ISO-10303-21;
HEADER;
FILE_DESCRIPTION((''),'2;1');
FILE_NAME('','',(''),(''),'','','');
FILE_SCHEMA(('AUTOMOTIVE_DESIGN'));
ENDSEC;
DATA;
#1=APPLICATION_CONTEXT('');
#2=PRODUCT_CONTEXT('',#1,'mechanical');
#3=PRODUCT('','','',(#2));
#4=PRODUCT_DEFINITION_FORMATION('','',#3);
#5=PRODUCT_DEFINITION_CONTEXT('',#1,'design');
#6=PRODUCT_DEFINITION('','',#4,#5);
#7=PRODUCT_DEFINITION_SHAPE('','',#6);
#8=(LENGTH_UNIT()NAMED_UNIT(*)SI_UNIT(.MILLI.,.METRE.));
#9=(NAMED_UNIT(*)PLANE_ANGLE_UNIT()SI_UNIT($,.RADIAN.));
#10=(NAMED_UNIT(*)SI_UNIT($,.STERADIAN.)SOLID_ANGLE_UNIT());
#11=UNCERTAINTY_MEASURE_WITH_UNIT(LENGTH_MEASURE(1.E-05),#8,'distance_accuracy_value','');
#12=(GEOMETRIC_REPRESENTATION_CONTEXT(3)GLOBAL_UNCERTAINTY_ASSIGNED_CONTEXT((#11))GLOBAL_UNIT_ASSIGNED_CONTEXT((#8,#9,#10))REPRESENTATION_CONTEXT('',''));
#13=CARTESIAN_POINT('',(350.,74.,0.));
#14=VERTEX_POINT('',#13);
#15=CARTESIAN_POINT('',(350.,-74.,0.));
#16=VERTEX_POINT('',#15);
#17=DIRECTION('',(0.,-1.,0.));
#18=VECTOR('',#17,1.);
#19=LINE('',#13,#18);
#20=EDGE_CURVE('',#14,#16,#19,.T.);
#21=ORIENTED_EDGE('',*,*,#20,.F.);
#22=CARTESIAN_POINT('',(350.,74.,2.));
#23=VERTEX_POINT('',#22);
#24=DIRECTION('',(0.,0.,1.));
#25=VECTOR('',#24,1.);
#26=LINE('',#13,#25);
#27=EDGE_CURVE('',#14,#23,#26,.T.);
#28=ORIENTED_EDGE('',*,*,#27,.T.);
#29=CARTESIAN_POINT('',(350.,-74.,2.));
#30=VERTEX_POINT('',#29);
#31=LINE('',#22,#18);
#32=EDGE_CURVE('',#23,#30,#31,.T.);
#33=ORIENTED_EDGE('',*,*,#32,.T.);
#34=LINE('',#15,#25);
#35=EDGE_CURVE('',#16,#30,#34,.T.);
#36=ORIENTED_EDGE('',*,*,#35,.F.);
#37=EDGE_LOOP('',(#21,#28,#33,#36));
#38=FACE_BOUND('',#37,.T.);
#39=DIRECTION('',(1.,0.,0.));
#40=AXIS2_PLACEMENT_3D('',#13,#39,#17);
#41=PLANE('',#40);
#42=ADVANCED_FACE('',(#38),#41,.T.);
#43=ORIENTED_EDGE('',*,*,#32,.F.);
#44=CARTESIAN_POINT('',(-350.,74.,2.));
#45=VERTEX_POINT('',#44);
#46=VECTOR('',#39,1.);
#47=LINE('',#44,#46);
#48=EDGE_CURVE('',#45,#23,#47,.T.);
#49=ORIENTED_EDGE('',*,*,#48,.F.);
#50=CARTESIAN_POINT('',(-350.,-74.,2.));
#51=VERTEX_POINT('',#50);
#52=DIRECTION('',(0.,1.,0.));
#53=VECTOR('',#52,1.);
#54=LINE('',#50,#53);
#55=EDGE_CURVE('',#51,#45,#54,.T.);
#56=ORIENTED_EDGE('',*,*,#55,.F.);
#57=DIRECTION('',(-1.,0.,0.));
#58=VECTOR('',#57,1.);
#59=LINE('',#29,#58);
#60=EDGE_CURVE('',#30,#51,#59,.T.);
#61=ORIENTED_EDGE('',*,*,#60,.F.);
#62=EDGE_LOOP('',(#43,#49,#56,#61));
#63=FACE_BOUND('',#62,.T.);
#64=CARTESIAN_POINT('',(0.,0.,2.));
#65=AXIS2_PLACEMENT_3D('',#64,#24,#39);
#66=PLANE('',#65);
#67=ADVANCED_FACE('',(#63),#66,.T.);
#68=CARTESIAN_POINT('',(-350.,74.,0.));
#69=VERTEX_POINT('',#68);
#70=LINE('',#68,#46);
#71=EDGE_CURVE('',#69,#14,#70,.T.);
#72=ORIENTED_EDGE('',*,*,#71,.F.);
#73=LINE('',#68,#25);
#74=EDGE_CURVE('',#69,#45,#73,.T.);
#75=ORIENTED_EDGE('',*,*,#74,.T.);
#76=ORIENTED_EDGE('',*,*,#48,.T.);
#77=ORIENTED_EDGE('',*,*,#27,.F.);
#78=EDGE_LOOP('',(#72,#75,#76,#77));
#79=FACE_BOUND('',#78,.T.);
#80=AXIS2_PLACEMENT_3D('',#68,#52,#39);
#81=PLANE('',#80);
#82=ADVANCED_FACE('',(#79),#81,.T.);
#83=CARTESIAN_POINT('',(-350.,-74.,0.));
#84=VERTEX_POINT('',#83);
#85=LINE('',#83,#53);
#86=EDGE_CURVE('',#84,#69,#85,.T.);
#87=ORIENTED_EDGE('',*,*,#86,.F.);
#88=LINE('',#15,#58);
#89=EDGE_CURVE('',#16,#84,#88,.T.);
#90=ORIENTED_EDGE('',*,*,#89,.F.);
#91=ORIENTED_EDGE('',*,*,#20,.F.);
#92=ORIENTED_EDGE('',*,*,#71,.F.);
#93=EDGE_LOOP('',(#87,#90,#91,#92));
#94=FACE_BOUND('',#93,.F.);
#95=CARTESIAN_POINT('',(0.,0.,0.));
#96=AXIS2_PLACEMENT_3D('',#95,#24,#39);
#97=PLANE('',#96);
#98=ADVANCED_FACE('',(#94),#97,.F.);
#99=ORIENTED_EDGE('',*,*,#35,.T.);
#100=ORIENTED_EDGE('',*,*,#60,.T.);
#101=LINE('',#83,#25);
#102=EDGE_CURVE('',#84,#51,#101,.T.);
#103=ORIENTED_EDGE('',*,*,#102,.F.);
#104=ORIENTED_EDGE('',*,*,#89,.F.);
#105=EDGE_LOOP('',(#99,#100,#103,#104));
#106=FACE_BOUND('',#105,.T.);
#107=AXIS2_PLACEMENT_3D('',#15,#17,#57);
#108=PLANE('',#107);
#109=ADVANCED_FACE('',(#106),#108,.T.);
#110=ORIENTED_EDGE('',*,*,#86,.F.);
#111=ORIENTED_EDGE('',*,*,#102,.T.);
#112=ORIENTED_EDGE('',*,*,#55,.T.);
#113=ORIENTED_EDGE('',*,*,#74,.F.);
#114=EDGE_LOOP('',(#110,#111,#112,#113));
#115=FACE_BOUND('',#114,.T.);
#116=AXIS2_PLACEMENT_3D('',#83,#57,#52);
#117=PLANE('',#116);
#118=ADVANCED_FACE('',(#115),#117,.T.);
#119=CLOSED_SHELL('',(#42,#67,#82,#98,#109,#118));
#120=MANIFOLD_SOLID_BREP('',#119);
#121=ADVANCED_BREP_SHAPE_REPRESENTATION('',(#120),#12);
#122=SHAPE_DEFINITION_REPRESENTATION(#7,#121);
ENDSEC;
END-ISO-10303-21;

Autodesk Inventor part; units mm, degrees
ref_plane "YZ Plane" through (0, 0, 0) normal (1, 0, 0) x (0, 1, 0)
ref_plane "XZ Plane" through (0, 0, 0) normal (0, 1, 0) x (-1, 0, 0)
ref_plane "XY Plane" through (0, 0, 0) normal (0, 0, 1) x (1, 0, 0)
sketch "스케치1" plane through (0, 0, 0) normal (0, 0, 1) x (1, 0, 0)
  line L0 (-350, 74) -> (350, 74)
  line L1 (350, 74) -> (350, -74)
  line L2 (350, -74) -> (-350, -74)
  line L3 (-350, -74) -> (-350, 74)
  point P0 (0, 0)
  dimension "d0" = 700
  dimension "d1" = 148
  dimension "d2" = 74
  dimension "d3" = 350
extrude "돌출1" add sketch "스케치1" along normal blind 2
equation "\"d2\" = 0.5 * d1"
equation "\"d3\" = 0.5 * d0"
properties part number "가로로만뒷판"
